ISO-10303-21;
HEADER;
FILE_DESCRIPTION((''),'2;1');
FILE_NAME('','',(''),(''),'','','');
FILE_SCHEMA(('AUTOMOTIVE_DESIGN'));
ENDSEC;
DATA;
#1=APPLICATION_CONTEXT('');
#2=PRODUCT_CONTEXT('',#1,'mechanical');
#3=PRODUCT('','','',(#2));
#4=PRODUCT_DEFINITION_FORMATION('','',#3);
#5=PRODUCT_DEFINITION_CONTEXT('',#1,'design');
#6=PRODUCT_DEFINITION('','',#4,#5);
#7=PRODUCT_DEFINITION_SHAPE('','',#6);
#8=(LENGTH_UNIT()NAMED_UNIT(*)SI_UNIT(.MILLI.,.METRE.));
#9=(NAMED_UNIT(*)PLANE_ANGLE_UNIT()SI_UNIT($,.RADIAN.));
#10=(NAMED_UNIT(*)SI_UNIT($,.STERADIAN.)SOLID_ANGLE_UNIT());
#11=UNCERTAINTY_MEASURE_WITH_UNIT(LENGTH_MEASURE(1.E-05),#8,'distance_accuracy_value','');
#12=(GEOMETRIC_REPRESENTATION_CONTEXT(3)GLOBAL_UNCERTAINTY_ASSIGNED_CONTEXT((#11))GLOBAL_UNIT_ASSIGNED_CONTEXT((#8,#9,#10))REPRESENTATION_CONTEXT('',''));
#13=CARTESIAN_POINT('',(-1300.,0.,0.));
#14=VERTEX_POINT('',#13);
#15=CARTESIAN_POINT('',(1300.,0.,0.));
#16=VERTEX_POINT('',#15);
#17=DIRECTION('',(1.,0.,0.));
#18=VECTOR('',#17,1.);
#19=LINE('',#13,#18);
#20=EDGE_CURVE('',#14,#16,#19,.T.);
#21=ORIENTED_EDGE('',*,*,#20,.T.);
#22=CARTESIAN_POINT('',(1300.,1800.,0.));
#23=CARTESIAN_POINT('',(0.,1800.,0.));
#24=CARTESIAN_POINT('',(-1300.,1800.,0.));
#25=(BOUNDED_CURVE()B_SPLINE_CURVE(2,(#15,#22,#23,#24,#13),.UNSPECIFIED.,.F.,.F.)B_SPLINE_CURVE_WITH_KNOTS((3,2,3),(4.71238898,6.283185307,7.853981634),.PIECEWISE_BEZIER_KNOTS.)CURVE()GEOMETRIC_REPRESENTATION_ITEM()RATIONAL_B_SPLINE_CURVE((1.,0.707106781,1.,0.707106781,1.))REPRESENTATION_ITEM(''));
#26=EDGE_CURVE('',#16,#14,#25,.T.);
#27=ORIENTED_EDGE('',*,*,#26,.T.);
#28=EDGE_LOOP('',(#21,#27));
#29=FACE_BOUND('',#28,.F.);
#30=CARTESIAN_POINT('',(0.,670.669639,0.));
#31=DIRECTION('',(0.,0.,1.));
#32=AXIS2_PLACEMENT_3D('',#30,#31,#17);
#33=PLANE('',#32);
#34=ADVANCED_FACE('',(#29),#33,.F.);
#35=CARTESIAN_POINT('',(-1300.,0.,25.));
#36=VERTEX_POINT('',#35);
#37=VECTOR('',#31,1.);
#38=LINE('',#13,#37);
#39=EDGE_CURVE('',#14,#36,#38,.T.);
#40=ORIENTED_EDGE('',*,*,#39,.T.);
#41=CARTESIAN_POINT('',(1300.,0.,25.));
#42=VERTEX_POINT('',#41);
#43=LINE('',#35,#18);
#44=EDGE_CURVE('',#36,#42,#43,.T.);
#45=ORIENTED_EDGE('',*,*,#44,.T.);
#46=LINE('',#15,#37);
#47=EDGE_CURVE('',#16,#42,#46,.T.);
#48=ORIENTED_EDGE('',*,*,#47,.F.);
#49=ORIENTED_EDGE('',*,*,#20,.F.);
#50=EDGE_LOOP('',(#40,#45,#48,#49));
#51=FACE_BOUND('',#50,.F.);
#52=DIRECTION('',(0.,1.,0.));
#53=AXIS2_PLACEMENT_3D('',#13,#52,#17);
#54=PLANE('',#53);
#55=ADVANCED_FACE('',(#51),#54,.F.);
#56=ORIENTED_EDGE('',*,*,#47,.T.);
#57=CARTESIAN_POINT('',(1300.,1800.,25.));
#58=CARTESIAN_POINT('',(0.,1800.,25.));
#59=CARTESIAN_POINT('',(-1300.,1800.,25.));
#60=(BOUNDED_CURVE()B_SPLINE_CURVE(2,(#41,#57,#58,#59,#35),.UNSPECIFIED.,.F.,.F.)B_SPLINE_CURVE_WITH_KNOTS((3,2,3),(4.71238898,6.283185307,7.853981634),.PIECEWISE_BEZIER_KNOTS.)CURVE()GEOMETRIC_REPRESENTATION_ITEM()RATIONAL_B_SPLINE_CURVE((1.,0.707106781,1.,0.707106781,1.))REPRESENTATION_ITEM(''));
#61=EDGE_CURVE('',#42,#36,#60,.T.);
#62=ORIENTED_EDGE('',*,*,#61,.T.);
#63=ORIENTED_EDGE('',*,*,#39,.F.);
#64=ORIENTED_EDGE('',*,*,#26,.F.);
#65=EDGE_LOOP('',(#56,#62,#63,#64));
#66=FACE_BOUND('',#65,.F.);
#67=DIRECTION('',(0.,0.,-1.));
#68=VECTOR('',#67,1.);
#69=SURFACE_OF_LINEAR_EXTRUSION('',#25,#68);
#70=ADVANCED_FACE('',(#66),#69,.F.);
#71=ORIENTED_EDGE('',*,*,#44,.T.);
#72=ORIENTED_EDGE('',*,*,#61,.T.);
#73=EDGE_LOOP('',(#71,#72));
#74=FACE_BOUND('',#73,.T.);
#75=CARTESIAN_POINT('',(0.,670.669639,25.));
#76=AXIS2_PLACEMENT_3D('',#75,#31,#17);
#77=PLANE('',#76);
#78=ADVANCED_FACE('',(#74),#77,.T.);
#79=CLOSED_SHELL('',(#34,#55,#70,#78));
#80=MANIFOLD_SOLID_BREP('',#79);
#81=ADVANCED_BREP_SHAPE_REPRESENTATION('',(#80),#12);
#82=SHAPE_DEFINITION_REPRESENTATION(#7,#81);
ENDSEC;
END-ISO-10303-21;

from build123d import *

# Parameters (mm, degrees)
F1_DEPTH = 25


with BuildPart() as f1:
    # F0 (on Top) → F1 (new body)
    with BuildSketch(Plane.XY):
        with BuildLine():
            Line((-1300, 0), (1300, 0))
            add(Edge.make_bspline(
                [(1300, 0), (1300, 1800), (0, 1800), (-1300, 1800), (-1300, 0)],
                knots=[4.7123889804, 4.7123889804, 4.7123889804, 6.2831853072, 6.2831853072, 7.853981634, 7.853981634, 7.853981634], degree=2, weights=[1, 0.7071067812, 1, 0.7071067812, 1]))
        make_face()
    extrude(amount=F1_DEPTH)


solid = f1.part
